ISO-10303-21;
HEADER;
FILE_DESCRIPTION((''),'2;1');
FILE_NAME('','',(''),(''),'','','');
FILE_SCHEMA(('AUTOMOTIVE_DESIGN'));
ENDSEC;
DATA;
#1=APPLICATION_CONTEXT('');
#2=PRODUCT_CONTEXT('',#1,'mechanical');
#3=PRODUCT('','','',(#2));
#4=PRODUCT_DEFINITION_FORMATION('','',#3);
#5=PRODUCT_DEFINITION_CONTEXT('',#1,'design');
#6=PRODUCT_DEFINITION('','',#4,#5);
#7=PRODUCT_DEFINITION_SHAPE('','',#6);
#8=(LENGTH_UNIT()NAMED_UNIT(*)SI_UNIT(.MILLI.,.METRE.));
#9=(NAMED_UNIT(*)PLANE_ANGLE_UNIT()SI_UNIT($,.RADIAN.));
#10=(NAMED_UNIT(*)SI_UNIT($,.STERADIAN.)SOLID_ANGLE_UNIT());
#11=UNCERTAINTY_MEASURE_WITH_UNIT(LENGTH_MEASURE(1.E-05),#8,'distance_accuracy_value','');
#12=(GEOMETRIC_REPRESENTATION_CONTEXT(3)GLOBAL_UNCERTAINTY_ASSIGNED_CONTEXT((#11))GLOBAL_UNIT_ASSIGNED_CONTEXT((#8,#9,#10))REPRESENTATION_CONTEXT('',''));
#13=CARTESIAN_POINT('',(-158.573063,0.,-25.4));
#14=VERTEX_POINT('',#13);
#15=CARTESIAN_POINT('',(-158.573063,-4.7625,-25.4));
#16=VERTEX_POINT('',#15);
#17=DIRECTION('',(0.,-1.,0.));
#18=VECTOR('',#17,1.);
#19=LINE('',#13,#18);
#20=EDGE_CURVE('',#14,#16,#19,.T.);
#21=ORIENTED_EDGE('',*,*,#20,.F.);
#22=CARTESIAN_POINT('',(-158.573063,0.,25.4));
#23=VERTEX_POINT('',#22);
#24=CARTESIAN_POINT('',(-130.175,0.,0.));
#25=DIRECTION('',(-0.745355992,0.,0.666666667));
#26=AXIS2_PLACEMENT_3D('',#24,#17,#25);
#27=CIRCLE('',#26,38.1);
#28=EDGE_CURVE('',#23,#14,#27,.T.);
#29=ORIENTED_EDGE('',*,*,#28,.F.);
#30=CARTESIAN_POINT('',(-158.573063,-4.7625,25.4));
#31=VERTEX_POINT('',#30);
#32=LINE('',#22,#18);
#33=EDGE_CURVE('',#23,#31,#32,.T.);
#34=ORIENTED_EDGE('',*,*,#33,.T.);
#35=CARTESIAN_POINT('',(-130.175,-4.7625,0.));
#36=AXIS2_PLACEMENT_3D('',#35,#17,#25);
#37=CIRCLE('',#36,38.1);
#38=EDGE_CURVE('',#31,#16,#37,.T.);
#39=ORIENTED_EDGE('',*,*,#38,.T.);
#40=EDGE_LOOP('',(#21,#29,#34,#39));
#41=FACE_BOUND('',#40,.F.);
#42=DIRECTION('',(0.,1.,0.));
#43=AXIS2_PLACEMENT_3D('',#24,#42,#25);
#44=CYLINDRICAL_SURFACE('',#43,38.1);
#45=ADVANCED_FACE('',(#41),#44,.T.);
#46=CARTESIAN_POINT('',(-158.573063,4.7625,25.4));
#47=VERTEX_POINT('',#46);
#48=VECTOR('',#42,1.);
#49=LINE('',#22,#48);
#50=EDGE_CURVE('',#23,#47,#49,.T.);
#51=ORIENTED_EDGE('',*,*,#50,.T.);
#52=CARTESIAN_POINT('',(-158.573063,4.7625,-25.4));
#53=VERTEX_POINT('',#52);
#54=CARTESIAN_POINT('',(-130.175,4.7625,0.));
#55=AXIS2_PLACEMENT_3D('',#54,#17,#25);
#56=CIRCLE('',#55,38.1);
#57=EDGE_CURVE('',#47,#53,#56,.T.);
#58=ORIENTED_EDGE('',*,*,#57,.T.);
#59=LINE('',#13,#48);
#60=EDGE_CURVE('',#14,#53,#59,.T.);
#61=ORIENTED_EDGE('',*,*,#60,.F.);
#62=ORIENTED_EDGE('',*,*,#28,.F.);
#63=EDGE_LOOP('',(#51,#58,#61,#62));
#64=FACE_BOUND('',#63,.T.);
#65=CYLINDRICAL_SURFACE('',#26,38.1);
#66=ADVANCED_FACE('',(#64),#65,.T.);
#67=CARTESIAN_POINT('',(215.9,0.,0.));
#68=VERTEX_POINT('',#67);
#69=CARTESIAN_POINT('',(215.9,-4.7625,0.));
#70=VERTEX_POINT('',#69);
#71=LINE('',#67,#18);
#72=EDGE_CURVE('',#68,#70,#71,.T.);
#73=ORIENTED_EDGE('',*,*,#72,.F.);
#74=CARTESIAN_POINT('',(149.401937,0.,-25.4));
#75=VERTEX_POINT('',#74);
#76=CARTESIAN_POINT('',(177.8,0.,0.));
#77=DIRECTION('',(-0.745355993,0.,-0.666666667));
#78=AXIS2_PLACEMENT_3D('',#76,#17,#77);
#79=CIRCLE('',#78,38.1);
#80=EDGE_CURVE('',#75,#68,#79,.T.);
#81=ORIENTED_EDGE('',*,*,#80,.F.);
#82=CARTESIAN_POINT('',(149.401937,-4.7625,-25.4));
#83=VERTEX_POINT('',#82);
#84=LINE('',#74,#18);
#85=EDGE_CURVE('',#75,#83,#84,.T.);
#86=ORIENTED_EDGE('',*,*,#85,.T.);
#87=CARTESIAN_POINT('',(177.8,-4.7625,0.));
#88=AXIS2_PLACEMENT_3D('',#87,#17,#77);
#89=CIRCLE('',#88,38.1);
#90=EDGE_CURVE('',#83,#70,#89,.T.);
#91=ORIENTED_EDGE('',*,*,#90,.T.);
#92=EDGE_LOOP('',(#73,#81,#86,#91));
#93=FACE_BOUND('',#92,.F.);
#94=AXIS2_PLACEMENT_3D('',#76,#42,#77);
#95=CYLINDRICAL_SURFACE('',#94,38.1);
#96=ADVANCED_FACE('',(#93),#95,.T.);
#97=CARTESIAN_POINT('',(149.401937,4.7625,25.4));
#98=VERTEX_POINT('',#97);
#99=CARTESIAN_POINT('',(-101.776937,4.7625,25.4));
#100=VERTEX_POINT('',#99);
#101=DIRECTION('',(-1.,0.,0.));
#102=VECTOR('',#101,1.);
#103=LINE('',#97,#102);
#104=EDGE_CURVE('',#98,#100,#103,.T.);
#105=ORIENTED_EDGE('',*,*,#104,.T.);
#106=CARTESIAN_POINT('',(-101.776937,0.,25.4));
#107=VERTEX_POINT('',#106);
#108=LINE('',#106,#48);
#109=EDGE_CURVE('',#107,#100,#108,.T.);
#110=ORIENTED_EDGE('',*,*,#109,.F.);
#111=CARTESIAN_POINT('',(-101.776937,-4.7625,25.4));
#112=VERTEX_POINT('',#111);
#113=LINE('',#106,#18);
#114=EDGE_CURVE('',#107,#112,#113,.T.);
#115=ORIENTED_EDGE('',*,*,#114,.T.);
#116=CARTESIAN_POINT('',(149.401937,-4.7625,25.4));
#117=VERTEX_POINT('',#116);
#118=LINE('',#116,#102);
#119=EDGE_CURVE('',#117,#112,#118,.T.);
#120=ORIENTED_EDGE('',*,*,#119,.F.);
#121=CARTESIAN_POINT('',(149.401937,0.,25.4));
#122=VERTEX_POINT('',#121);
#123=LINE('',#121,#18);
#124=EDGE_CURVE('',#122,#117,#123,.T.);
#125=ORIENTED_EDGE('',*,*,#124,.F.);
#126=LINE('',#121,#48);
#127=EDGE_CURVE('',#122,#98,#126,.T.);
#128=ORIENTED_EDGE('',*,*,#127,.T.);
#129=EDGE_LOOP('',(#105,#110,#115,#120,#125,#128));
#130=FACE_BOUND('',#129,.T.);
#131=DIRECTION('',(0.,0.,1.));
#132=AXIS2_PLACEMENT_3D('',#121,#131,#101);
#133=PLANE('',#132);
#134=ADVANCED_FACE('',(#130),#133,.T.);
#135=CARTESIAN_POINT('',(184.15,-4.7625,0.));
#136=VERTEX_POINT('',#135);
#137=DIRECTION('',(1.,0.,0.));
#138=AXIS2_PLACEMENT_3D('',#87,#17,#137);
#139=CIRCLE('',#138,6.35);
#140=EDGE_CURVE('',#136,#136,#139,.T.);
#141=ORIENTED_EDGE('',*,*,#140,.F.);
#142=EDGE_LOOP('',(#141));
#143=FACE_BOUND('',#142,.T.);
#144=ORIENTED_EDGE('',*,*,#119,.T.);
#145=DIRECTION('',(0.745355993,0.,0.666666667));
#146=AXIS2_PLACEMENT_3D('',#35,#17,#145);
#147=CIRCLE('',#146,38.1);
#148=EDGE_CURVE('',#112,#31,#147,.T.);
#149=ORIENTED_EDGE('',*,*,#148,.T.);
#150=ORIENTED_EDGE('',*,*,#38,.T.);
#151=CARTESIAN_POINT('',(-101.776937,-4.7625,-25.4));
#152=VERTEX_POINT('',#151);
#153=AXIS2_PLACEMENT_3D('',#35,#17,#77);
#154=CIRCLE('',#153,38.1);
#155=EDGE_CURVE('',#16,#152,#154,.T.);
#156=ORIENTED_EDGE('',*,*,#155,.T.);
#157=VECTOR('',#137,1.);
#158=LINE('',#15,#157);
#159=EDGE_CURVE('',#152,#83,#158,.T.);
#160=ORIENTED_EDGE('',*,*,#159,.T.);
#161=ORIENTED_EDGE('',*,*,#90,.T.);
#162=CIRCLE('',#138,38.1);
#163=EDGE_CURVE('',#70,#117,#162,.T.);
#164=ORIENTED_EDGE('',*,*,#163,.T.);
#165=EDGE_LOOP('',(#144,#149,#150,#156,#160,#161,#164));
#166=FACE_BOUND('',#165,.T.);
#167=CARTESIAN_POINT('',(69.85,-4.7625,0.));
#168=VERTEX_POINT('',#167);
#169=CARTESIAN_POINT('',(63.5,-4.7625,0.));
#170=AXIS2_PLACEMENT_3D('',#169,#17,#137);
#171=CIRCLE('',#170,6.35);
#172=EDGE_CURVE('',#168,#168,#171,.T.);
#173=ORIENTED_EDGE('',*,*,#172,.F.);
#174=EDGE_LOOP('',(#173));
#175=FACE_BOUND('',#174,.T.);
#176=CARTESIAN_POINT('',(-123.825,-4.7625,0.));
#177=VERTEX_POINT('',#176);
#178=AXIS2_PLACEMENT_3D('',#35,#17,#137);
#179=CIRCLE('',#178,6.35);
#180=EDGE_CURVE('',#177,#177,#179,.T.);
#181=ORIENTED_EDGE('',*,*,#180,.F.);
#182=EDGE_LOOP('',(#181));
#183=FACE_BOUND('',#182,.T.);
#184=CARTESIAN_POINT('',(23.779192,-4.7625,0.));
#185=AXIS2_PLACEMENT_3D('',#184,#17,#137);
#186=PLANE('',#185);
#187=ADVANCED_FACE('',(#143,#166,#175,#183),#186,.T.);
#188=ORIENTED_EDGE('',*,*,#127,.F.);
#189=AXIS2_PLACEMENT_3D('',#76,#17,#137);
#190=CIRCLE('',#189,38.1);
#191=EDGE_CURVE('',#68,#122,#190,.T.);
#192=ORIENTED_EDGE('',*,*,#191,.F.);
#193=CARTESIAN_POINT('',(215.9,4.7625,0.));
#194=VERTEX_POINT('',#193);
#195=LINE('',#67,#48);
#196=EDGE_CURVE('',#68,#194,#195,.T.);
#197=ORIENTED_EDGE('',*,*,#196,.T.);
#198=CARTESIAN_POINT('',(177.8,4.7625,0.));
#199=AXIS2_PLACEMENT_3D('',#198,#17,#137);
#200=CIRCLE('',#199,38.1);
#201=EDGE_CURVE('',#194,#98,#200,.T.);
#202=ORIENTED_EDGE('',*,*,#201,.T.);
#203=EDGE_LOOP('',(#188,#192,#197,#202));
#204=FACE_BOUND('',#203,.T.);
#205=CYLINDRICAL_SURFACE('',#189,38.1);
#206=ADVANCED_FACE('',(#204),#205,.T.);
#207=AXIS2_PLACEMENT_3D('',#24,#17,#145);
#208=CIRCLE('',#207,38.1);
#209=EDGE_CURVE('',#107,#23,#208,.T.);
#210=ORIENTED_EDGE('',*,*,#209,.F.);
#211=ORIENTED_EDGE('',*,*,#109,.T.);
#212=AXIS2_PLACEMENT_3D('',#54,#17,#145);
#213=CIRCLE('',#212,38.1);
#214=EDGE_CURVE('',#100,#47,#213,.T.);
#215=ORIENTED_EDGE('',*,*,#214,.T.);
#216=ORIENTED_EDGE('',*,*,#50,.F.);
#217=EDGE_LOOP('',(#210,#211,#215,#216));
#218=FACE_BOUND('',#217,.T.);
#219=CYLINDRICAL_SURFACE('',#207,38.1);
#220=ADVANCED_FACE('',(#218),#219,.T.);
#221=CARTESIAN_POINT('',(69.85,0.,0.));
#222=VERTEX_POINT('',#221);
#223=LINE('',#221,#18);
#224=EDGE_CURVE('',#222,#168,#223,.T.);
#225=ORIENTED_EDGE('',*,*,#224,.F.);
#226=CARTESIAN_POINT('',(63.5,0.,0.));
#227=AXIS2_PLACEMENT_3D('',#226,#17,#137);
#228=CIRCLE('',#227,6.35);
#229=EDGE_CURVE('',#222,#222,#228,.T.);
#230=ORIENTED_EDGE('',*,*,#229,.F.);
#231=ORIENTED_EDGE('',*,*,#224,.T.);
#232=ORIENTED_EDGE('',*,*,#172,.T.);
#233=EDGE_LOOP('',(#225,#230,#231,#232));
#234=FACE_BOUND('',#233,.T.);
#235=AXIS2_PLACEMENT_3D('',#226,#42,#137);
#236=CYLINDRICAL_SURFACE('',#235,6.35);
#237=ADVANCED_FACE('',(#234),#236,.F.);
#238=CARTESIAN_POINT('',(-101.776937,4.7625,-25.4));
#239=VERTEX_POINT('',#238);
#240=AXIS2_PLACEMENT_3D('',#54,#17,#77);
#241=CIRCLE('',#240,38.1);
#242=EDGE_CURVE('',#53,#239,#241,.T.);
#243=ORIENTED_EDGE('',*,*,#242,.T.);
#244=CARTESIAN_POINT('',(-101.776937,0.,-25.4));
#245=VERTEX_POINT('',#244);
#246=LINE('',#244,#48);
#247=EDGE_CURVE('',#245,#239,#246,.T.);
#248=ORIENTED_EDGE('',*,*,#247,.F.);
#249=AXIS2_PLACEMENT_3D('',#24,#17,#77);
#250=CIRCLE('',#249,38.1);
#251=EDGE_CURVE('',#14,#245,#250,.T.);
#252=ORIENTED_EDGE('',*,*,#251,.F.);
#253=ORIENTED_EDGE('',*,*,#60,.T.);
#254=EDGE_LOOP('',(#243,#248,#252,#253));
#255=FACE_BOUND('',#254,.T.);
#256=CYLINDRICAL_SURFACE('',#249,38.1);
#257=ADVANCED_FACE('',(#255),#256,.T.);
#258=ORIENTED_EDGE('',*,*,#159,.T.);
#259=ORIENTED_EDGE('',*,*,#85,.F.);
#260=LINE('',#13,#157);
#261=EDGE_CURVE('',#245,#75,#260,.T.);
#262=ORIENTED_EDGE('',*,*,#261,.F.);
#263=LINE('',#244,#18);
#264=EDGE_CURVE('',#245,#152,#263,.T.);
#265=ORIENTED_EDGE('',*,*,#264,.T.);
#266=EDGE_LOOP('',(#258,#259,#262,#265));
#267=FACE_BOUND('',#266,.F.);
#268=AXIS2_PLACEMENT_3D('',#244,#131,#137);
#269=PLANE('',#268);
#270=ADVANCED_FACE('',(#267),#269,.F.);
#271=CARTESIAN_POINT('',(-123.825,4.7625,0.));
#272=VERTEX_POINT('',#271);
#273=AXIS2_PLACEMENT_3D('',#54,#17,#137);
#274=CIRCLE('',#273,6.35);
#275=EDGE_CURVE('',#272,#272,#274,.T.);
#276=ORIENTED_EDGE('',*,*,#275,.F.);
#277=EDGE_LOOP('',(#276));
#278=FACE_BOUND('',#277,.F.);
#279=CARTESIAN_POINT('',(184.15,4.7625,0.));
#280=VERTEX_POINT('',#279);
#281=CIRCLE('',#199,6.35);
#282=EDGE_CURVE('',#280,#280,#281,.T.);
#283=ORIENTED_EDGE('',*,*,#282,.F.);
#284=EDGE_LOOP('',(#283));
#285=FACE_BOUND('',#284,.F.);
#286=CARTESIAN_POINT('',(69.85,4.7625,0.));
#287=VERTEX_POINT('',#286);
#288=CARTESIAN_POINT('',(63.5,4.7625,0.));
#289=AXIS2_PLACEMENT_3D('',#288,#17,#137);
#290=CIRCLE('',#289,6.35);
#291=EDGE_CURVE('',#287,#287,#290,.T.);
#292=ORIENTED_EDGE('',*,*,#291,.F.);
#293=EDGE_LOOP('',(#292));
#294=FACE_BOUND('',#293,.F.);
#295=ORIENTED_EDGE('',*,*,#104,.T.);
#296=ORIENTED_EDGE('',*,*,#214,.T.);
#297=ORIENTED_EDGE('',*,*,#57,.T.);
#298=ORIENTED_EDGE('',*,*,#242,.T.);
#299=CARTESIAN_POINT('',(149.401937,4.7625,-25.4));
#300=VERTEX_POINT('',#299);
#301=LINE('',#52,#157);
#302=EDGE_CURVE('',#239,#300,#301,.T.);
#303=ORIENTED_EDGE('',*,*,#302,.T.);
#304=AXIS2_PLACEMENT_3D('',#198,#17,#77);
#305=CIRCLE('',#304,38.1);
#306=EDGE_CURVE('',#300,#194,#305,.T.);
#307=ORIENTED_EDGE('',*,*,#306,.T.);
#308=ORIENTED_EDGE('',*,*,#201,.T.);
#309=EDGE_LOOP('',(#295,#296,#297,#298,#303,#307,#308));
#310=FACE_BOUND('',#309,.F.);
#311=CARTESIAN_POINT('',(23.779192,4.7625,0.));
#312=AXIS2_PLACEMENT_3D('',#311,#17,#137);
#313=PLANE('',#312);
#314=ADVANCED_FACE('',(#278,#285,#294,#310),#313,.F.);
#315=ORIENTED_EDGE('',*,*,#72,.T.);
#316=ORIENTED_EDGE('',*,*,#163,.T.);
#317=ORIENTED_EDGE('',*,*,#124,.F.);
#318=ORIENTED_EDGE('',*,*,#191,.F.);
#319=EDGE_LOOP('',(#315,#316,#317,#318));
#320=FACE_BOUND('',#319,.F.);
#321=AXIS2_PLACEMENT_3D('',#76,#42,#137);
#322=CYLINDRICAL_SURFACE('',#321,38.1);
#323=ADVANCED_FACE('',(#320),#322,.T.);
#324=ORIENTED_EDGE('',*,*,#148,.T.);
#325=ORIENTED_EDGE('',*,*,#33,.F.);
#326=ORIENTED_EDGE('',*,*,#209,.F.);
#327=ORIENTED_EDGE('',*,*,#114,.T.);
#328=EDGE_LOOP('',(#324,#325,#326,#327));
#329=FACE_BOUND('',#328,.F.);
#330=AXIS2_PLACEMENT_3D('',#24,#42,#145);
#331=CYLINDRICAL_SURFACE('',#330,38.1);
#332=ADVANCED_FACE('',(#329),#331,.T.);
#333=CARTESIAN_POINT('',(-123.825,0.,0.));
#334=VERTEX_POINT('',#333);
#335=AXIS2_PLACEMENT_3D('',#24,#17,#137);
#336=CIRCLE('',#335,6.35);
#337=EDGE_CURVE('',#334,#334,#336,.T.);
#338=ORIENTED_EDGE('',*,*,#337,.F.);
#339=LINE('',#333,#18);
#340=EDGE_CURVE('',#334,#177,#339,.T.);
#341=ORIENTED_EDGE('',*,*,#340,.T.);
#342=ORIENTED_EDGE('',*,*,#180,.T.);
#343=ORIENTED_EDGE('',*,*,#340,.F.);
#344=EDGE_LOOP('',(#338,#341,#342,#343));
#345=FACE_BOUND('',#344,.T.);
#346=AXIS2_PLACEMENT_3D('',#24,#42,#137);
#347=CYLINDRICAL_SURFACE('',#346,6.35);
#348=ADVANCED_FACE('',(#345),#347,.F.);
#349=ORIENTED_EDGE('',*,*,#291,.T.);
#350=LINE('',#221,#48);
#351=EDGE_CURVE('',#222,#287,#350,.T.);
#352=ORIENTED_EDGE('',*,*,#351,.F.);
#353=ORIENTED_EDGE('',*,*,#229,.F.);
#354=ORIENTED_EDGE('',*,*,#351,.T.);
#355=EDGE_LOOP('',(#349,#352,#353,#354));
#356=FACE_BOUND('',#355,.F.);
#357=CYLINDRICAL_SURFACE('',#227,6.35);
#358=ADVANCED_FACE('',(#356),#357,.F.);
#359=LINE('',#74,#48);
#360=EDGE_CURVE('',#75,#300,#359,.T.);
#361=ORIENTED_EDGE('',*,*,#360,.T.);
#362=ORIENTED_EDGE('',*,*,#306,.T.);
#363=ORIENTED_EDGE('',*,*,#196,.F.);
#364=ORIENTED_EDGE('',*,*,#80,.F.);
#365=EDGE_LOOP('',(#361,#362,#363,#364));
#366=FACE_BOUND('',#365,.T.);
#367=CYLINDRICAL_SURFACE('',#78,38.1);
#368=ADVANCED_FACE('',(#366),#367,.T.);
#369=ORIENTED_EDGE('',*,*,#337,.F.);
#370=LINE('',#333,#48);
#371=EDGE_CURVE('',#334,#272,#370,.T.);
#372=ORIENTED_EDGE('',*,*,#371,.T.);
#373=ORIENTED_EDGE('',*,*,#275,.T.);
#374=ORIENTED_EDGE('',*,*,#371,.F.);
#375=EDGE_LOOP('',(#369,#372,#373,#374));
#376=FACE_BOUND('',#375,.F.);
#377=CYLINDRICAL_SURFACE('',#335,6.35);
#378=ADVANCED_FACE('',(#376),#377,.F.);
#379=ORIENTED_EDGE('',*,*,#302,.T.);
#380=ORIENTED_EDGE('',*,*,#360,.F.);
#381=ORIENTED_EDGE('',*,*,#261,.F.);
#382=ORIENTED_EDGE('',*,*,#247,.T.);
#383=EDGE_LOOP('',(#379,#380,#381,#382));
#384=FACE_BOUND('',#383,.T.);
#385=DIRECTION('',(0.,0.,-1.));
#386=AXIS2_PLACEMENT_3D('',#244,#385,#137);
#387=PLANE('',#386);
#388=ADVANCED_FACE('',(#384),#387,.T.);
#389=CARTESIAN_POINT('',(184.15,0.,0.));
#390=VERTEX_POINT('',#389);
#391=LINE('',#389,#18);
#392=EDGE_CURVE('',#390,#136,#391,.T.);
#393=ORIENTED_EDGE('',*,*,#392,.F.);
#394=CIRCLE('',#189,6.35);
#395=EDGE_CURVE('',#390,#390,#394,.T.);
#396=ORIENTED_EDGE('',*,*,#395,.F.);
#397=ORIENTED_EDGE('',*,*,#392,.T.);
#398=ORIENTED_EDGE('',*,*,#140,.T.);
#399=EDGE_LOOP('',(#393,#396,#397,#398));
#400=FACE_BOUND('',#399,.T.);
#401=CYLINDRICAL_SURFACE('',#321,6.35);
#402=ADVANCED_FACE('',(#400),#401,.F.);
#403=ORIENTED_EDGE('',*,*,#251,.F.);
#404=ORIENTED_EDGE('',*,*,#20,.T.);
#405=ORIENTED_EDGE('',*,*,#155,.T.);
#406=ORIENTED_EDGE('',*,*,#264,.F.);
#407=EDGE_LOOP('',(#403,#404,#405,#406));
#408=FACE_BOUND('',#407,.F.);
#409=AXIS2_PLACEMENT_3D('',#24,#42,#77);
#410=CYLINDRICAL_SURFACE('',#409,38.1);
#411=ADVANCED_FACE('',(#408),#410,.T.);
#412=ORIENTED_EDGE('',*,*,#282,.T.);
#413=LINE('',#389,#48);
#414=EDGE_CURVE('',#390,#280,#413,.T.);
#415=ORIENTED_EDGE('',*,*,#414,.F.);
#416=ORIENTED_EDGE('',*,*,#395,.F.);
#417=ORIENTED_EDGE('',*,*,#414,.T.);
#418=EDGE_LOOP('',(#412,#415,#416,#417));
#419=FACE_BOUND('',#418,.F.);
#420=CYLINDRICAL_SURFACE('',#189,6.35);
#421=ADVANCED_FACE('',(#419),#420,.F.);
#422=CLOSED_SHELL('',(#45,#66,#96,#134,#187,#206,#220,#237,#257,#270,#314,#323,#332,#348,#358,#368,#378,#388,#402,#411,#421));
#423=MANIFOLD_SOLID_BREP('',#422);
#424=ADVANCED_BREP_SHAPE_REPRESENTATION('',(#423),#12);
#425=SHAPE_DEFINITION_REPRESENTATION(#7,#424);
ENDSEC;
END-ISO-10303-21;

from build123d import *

# Parameters (mm, degrees)
F0_R     = 6.35
F1_DEPTH = 4.7625


with BuildPart() as f1:
    # F0 (on Front) → F1 (new body, symmetric)
    with BuildSketch(Plane.XZ):
        with BuildLine():
            Line((-101.7769366858, -25.4), (149.4019366858, -25.4))
            ThreePointArc((149.4019366858, -25.4), (139.7, 0), (149.4019366858, 25.4))
            Line((149.4019366858, 25.4), (-101.7769366858, 25.4))
            ThreePointArc((-101.7769366858, 25.4), (-94.5830331235, 13.5949216204), (-92.075, 0))
            ThreePointArc((-92.075, 0), (-94.5830331235, -13.5949216204), (-101.7769366858, -25.4))
        make_face()
        with Locations((63.5, 0)):
            Circle(F0_R, mode=Mode.SUBTRACT)
        with BuildLine():
            Line((-130.175, -25.4), (-101.7769366858, -25.4))
            ThreePointArc((-101.7769366858, -25.4), (-94.5830331235, -13.5949216204), (-92.075, 0))
            ThreePointArc((-92.075, 0), (-94.5830331235, 13.5949216204), (-101.7769366858, 25.4))
            Line((-101.7769366858, 25.4), (-130.175, 25.4))
            ThreePointArc((-130.175, 25.4), (-112.2144877579, 17.9605122421), (-104.775, 0))
            ThreePointArc((-104.775, 0), (-112.2144877579, -17.9605122421), (-130.175, -25.4))
        make_face()
        with BuildLine():
            ThreePointArc((-130.175, 25.4), (-155.575, 0), (-130.175, -25.4))
            ThreePointArc((-130.175, -25.4), (-112.2144877579, -17.9605122421), (-104.775, 0))
            ThreePointArc((-104.775, 0), (-112.2144877579, 17.9605122421), (-130.175, 25.4))
        make_face()
        with Locations((-130.175, 0)):
            Circle(F0_R, mode=Mode.SUBTRACT)
        with BuildLine():
            Line((-130.175, 25.4), (-101.7769366858, 25.4))
            ThreePointArc((-101.7769366858, 25.4), (-130.175, 38.1), (-158.5730633142, 25.4))
            Line((-158.5730633142, 25.4), (-130.175, 25.4))
        make_face()
        with BuildLine():
            Line((-158.5730633142, -25.4), (-130.175, -25.4))
            ThreePointArc((-130.175, -25.4), (-155.575, 0), (-130.175, 25.4))
            Line((-130.175, 25.4), (-158.5730633142, 25.4))
            ThreePointArc((-158.5730633142, 25.4), (-168.275, 0), (-158.5730633142, -25.4))
        make_face()
        with BuildLine():
            ThreePointArc((-158.5730633142, -25.4), (-130.175, -38.1), (-101.7769366858, -25.4))
            Line((-101.7769366858, -25.4), (-130.175, -25.4))
            Line((-130.175, -25.4), (-158.5730633142, -25.4))
        make_face()
        with BuildLine():
            Line((203.2, 25.4), (203.2, -25.4))
            Line((203.2, -25.4), (149.4019366858, -25.4))
            ThreePointArc((149.4019366858, -25.4), (191.3949216204, -35.5919668765), (215.9, 0))
            ThreePointArc((215.9, 0), (191.3949216204, 35.5919668765), (149.4019366858, 25.4))
            Line((149.4019366858, 25.4), (203.2, 25.4))
        make_face()
        with BuildLine():
            Line((149.4019366858, -25.4), (203.2, -25.4))
            Line((203.2, -25.4), (203.2, 25.4))
            Line((203.2, 25.4), (149.4019366858, 25.4))
            ThreePointArc((149.4019366858, 25.4), (139.7, 0), (149.4019366858, -25.4))
        make_face()
        with Locations((177.8, 0)):
            Circle(F0_R, mode=Mode.SUBTRACT)
    extrude(amount=F1_DEPTH, both=True)


solid = f1.part
